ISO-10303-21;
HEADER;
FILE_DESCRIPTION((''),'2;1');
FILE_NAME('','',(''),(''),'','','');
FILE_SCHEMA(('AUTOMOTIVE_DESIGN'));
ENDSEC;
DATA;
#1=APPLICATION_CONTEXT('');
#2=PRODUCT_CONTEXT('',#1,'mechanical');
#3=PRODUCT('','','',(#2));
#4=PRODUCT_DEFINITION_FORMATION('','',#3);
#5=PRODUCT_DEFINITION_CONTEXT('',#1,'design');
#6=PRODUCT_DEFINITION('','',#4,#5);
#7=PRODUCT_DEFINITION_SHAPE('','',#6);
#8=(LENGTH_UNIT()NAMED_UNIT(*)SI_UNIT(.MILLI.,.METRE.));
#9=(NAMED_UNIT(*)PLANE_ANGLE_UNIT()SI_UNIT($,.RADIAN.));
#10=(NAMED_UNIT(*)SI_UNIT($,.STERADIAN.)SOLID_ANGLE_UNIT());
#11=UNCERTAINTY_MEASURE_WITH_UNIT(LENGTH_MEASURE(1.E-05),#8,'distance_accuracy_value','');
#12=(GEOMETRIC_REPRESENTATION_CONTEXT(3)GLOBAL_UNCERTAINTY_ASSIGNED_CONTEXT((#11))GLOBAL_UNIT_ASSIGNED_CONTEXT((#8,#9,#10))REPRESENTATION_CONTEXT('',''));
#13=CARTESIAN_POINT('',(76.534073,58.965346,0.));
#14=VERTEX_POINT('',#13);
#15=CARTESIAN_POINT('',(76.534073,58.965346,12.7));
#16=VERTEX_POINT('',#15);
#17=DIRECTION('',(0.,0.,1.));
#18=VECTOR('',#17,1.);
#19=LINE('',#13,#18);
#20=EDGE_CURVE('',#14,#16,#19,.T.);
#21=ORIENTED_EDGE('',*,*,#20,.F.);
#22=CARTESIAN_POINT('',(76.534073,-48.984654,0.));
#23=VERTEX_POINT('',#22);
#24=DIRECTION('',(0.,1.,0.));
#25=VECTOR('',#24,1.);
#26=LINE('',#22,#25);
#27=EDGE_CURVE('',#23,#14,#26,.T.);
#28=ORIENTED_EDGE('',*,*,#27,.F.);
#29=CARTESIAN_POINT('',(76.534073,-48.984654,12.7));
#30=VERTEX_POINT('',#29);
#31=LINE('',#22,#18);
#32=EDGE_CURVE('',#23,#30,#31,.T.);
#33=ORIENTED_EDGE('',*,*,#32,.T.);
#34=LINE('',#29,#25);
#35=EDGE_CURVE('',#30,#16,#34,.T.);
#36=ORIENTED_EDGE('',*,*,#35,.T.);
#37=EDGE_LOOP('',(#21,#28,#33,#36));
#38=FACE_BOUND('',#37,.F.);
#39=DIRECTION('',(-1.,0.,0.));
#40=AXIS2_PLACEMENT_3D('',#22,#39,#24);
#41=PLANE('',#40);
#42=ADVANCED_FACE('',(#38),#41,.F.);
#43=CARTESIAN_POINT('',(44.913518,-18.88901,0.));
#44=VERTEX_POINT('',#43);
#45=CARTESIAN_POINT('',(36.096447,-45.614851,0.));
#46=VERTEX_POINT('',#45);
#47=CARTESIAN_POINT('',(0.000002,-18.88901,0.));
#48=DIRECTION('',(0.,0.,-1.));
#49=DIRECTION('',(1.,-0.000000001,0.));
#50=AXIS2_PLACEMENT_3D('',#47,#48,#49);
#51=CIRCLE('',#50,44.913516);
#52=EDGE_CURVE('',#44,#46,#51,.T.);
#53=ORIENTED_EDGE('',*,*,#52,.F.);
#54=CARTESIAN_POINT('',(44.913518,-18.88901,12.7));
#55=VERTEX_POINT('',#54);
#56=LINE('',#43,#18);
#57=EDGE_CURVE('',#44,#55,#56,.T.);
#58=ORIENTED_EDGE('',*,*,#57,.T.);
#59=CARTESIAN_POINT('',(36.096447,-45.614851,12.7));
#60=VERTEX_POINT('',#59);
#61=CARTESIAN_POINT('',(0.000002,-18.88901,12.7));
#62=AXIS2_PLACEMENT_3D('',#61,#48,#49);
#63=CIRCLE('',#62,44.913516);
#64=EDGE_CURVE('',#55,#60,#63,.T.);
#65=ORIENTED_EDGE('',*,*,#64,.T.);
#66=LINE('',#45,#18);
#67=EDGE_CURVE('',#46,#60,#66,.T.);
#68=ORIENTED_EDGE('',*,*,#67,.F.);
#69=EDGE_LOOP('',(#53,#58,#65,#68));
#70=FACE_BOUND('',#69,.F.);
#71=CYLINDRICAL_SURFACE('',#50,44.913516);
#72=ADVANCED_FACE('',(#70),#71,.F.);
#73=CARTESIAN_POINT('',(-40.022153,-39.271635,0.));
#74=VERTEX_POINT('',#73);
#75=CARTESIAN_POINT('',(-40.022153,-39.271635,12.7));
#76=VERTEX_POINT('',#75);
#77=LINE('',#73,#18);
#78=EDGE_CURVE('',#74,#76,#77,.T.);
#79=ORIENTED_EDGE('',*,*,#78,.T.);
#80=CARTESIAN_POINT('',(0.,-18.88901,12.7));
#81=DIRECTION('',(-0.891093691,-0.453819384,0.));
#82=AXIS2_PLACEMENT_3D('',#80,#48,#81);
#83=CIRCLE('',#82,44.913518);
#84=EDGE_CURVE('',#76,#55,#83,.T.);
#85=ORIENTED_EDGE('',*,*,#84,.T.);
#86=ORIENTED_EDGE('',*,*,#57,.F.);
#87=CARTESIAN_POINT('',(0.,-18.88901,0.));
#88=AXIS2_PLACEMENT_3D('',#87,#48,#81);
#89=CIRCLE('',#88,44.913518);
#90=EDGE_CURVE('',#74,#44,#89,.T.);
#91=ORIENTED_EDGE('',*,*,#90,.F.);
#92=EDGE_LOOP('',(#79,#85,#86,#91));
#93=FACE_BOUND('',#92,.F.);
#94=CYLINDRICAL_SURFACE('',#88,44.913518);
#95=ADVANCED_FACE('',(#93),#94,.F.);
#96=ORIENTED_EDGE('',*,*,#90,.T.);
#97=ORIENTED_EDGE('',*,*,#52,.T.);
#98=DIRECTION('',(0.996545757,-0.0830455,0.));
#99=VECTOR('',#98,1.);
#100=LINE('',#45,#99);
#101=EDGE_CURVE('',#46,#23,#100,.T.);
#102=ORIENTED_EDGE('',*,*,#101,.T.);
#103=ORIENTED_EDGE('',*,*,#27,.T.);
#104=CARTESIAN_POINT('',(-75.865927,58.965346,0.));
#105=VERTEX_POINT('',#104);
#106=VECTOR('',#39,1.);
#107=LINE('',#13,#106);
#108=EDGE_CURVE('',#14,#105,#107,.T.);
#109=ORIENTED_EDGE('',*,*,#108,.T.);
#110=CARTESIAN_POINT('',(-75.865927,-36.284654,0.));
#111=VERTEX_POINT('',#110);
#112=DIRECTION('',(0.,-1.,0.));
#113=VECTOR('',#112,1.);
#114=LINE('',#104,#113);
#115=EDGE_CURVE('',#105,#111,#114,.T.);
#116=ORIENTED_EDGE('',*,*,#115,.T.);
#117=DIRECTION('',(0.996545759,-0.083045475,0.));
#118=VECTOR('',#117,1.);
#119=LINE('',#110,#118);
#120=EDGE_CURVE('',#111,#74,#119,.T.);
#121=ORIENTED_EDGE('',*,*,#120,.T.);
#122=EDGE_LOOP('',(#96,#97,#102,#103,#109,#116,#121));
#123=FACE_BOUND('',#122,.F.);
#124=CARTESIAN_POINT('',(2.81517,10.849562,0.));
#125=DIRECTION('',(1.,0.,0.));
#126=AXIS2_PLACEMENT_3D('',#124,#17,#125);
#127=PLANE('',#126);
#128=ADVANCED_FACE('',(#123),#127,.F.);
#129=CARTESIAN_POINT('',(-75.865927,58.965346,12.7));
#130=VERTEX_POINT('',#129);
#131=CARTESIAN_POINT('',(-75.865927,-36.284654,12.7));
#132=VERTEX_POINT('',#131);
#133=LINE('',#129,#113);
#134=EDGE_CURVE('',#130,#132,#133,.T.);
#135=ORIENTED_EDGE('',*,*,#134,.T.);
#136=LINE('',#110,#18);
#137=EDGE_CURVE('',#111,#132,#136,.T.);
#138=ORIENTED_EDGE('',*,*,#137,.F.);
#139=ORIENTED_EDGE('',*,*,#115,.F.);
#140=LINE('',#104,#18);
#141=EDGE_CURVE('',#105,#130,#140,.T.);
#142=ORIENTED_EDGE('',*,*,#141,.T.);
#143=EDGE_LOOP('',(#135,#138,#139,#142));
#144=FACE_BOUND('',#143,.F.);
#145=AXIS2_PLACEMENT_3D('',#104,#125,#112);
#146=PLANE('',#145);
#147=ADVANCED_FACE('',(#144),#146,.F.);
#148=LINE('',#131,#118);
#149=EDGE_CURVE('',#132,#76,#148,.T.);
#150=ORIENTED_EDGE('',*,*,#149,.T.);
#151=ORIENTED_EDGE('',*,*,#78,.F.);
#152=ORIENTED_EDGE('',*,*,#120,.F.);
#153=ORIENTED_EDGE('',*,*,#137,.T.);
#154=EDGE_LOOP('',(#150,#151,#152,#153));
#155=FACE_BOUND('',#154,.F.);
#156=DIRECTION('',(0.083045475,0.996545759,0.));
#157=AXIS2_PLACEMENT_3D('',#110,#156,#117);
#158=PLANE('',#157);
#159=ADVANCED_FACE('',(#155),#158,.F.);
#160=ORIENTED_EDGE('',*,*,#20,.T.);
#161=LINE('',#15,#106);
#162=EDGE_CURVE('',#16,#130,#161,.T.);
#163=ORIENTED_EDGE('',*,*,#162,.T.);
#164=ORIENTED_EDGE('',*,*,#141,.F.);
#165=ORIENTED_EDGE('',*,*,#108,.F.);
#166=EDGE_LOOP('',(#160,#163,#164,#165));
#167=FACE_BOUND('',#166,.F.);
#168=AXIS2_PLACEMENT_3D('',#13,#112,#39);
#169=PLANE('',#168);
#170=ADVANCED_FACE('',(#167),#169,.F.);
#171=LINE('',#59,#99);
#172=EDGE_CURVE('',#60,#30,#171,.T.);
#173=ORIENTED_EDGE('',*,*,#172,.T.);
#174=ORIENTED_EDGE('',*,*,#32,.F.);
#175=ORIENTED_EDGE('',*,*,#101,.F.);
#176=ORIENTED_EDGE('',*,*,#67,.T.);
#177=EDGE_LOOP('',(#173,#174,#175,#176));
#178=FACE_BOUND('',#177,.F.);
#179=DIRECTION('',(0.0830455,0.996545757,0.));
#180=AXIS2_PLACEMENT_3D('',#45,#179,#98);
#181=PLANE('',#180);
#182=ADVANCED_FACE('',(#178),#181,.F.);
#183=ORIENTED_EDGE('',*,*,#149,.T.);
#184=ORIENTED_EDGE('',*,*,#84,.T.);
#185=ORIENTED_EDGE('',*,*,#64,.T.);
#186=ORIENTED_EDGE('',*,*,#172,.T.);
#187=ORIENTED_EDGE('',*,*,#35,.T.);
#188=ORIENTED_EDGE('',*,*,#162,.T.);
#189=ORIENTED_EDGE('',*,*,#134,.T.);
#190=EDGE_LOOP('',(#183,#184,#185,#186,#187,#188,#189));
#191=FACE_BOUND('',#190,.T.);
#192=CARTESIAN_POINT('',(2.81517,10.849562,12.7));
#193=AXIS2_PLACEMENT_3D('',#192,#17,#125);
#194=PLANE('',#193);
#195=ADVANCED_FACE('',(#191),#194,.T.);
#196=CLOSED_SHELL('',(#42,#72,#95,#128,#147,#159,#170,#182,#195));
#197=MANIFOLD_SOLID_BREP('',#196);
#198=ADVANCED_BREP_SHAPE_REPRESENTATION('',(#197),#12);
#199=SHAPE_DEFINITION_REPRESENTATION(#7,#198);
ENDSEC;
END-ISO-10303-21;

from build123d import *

# Parameters (mm, degrees)
F1_DEPTH = 12.7


with BuildPart() as f1:
    # F0 (on Top) → F1 (new body)
    with BuildSketch(Plane.XY):
        with BuildLine():
            Line((76.534073, 58.965346), (-75.865927, 58.965346))
            Line((-75.865927, 58.965346), (-75.865927, -36.284654))
            Line((-75.865927, -36.284654), (-40.022153, -39.271635))
            ThreePointArc((-40.022153, -39.271635), (-10.480659, 24.784551), (44.913518, -18.88901))
            ThreePointArc((44.913518, -18.88901), (42.65233, -32.960358), (36.096447, -45.614851))
            Line((36.096447, -45.614851), (76.534073, -48.984654))
            Line((76.534073, -48.984654), (76.534073, 58.965346))
        make_face()
    extrude(amount=F1_DEPTH)


solid = f1.part
